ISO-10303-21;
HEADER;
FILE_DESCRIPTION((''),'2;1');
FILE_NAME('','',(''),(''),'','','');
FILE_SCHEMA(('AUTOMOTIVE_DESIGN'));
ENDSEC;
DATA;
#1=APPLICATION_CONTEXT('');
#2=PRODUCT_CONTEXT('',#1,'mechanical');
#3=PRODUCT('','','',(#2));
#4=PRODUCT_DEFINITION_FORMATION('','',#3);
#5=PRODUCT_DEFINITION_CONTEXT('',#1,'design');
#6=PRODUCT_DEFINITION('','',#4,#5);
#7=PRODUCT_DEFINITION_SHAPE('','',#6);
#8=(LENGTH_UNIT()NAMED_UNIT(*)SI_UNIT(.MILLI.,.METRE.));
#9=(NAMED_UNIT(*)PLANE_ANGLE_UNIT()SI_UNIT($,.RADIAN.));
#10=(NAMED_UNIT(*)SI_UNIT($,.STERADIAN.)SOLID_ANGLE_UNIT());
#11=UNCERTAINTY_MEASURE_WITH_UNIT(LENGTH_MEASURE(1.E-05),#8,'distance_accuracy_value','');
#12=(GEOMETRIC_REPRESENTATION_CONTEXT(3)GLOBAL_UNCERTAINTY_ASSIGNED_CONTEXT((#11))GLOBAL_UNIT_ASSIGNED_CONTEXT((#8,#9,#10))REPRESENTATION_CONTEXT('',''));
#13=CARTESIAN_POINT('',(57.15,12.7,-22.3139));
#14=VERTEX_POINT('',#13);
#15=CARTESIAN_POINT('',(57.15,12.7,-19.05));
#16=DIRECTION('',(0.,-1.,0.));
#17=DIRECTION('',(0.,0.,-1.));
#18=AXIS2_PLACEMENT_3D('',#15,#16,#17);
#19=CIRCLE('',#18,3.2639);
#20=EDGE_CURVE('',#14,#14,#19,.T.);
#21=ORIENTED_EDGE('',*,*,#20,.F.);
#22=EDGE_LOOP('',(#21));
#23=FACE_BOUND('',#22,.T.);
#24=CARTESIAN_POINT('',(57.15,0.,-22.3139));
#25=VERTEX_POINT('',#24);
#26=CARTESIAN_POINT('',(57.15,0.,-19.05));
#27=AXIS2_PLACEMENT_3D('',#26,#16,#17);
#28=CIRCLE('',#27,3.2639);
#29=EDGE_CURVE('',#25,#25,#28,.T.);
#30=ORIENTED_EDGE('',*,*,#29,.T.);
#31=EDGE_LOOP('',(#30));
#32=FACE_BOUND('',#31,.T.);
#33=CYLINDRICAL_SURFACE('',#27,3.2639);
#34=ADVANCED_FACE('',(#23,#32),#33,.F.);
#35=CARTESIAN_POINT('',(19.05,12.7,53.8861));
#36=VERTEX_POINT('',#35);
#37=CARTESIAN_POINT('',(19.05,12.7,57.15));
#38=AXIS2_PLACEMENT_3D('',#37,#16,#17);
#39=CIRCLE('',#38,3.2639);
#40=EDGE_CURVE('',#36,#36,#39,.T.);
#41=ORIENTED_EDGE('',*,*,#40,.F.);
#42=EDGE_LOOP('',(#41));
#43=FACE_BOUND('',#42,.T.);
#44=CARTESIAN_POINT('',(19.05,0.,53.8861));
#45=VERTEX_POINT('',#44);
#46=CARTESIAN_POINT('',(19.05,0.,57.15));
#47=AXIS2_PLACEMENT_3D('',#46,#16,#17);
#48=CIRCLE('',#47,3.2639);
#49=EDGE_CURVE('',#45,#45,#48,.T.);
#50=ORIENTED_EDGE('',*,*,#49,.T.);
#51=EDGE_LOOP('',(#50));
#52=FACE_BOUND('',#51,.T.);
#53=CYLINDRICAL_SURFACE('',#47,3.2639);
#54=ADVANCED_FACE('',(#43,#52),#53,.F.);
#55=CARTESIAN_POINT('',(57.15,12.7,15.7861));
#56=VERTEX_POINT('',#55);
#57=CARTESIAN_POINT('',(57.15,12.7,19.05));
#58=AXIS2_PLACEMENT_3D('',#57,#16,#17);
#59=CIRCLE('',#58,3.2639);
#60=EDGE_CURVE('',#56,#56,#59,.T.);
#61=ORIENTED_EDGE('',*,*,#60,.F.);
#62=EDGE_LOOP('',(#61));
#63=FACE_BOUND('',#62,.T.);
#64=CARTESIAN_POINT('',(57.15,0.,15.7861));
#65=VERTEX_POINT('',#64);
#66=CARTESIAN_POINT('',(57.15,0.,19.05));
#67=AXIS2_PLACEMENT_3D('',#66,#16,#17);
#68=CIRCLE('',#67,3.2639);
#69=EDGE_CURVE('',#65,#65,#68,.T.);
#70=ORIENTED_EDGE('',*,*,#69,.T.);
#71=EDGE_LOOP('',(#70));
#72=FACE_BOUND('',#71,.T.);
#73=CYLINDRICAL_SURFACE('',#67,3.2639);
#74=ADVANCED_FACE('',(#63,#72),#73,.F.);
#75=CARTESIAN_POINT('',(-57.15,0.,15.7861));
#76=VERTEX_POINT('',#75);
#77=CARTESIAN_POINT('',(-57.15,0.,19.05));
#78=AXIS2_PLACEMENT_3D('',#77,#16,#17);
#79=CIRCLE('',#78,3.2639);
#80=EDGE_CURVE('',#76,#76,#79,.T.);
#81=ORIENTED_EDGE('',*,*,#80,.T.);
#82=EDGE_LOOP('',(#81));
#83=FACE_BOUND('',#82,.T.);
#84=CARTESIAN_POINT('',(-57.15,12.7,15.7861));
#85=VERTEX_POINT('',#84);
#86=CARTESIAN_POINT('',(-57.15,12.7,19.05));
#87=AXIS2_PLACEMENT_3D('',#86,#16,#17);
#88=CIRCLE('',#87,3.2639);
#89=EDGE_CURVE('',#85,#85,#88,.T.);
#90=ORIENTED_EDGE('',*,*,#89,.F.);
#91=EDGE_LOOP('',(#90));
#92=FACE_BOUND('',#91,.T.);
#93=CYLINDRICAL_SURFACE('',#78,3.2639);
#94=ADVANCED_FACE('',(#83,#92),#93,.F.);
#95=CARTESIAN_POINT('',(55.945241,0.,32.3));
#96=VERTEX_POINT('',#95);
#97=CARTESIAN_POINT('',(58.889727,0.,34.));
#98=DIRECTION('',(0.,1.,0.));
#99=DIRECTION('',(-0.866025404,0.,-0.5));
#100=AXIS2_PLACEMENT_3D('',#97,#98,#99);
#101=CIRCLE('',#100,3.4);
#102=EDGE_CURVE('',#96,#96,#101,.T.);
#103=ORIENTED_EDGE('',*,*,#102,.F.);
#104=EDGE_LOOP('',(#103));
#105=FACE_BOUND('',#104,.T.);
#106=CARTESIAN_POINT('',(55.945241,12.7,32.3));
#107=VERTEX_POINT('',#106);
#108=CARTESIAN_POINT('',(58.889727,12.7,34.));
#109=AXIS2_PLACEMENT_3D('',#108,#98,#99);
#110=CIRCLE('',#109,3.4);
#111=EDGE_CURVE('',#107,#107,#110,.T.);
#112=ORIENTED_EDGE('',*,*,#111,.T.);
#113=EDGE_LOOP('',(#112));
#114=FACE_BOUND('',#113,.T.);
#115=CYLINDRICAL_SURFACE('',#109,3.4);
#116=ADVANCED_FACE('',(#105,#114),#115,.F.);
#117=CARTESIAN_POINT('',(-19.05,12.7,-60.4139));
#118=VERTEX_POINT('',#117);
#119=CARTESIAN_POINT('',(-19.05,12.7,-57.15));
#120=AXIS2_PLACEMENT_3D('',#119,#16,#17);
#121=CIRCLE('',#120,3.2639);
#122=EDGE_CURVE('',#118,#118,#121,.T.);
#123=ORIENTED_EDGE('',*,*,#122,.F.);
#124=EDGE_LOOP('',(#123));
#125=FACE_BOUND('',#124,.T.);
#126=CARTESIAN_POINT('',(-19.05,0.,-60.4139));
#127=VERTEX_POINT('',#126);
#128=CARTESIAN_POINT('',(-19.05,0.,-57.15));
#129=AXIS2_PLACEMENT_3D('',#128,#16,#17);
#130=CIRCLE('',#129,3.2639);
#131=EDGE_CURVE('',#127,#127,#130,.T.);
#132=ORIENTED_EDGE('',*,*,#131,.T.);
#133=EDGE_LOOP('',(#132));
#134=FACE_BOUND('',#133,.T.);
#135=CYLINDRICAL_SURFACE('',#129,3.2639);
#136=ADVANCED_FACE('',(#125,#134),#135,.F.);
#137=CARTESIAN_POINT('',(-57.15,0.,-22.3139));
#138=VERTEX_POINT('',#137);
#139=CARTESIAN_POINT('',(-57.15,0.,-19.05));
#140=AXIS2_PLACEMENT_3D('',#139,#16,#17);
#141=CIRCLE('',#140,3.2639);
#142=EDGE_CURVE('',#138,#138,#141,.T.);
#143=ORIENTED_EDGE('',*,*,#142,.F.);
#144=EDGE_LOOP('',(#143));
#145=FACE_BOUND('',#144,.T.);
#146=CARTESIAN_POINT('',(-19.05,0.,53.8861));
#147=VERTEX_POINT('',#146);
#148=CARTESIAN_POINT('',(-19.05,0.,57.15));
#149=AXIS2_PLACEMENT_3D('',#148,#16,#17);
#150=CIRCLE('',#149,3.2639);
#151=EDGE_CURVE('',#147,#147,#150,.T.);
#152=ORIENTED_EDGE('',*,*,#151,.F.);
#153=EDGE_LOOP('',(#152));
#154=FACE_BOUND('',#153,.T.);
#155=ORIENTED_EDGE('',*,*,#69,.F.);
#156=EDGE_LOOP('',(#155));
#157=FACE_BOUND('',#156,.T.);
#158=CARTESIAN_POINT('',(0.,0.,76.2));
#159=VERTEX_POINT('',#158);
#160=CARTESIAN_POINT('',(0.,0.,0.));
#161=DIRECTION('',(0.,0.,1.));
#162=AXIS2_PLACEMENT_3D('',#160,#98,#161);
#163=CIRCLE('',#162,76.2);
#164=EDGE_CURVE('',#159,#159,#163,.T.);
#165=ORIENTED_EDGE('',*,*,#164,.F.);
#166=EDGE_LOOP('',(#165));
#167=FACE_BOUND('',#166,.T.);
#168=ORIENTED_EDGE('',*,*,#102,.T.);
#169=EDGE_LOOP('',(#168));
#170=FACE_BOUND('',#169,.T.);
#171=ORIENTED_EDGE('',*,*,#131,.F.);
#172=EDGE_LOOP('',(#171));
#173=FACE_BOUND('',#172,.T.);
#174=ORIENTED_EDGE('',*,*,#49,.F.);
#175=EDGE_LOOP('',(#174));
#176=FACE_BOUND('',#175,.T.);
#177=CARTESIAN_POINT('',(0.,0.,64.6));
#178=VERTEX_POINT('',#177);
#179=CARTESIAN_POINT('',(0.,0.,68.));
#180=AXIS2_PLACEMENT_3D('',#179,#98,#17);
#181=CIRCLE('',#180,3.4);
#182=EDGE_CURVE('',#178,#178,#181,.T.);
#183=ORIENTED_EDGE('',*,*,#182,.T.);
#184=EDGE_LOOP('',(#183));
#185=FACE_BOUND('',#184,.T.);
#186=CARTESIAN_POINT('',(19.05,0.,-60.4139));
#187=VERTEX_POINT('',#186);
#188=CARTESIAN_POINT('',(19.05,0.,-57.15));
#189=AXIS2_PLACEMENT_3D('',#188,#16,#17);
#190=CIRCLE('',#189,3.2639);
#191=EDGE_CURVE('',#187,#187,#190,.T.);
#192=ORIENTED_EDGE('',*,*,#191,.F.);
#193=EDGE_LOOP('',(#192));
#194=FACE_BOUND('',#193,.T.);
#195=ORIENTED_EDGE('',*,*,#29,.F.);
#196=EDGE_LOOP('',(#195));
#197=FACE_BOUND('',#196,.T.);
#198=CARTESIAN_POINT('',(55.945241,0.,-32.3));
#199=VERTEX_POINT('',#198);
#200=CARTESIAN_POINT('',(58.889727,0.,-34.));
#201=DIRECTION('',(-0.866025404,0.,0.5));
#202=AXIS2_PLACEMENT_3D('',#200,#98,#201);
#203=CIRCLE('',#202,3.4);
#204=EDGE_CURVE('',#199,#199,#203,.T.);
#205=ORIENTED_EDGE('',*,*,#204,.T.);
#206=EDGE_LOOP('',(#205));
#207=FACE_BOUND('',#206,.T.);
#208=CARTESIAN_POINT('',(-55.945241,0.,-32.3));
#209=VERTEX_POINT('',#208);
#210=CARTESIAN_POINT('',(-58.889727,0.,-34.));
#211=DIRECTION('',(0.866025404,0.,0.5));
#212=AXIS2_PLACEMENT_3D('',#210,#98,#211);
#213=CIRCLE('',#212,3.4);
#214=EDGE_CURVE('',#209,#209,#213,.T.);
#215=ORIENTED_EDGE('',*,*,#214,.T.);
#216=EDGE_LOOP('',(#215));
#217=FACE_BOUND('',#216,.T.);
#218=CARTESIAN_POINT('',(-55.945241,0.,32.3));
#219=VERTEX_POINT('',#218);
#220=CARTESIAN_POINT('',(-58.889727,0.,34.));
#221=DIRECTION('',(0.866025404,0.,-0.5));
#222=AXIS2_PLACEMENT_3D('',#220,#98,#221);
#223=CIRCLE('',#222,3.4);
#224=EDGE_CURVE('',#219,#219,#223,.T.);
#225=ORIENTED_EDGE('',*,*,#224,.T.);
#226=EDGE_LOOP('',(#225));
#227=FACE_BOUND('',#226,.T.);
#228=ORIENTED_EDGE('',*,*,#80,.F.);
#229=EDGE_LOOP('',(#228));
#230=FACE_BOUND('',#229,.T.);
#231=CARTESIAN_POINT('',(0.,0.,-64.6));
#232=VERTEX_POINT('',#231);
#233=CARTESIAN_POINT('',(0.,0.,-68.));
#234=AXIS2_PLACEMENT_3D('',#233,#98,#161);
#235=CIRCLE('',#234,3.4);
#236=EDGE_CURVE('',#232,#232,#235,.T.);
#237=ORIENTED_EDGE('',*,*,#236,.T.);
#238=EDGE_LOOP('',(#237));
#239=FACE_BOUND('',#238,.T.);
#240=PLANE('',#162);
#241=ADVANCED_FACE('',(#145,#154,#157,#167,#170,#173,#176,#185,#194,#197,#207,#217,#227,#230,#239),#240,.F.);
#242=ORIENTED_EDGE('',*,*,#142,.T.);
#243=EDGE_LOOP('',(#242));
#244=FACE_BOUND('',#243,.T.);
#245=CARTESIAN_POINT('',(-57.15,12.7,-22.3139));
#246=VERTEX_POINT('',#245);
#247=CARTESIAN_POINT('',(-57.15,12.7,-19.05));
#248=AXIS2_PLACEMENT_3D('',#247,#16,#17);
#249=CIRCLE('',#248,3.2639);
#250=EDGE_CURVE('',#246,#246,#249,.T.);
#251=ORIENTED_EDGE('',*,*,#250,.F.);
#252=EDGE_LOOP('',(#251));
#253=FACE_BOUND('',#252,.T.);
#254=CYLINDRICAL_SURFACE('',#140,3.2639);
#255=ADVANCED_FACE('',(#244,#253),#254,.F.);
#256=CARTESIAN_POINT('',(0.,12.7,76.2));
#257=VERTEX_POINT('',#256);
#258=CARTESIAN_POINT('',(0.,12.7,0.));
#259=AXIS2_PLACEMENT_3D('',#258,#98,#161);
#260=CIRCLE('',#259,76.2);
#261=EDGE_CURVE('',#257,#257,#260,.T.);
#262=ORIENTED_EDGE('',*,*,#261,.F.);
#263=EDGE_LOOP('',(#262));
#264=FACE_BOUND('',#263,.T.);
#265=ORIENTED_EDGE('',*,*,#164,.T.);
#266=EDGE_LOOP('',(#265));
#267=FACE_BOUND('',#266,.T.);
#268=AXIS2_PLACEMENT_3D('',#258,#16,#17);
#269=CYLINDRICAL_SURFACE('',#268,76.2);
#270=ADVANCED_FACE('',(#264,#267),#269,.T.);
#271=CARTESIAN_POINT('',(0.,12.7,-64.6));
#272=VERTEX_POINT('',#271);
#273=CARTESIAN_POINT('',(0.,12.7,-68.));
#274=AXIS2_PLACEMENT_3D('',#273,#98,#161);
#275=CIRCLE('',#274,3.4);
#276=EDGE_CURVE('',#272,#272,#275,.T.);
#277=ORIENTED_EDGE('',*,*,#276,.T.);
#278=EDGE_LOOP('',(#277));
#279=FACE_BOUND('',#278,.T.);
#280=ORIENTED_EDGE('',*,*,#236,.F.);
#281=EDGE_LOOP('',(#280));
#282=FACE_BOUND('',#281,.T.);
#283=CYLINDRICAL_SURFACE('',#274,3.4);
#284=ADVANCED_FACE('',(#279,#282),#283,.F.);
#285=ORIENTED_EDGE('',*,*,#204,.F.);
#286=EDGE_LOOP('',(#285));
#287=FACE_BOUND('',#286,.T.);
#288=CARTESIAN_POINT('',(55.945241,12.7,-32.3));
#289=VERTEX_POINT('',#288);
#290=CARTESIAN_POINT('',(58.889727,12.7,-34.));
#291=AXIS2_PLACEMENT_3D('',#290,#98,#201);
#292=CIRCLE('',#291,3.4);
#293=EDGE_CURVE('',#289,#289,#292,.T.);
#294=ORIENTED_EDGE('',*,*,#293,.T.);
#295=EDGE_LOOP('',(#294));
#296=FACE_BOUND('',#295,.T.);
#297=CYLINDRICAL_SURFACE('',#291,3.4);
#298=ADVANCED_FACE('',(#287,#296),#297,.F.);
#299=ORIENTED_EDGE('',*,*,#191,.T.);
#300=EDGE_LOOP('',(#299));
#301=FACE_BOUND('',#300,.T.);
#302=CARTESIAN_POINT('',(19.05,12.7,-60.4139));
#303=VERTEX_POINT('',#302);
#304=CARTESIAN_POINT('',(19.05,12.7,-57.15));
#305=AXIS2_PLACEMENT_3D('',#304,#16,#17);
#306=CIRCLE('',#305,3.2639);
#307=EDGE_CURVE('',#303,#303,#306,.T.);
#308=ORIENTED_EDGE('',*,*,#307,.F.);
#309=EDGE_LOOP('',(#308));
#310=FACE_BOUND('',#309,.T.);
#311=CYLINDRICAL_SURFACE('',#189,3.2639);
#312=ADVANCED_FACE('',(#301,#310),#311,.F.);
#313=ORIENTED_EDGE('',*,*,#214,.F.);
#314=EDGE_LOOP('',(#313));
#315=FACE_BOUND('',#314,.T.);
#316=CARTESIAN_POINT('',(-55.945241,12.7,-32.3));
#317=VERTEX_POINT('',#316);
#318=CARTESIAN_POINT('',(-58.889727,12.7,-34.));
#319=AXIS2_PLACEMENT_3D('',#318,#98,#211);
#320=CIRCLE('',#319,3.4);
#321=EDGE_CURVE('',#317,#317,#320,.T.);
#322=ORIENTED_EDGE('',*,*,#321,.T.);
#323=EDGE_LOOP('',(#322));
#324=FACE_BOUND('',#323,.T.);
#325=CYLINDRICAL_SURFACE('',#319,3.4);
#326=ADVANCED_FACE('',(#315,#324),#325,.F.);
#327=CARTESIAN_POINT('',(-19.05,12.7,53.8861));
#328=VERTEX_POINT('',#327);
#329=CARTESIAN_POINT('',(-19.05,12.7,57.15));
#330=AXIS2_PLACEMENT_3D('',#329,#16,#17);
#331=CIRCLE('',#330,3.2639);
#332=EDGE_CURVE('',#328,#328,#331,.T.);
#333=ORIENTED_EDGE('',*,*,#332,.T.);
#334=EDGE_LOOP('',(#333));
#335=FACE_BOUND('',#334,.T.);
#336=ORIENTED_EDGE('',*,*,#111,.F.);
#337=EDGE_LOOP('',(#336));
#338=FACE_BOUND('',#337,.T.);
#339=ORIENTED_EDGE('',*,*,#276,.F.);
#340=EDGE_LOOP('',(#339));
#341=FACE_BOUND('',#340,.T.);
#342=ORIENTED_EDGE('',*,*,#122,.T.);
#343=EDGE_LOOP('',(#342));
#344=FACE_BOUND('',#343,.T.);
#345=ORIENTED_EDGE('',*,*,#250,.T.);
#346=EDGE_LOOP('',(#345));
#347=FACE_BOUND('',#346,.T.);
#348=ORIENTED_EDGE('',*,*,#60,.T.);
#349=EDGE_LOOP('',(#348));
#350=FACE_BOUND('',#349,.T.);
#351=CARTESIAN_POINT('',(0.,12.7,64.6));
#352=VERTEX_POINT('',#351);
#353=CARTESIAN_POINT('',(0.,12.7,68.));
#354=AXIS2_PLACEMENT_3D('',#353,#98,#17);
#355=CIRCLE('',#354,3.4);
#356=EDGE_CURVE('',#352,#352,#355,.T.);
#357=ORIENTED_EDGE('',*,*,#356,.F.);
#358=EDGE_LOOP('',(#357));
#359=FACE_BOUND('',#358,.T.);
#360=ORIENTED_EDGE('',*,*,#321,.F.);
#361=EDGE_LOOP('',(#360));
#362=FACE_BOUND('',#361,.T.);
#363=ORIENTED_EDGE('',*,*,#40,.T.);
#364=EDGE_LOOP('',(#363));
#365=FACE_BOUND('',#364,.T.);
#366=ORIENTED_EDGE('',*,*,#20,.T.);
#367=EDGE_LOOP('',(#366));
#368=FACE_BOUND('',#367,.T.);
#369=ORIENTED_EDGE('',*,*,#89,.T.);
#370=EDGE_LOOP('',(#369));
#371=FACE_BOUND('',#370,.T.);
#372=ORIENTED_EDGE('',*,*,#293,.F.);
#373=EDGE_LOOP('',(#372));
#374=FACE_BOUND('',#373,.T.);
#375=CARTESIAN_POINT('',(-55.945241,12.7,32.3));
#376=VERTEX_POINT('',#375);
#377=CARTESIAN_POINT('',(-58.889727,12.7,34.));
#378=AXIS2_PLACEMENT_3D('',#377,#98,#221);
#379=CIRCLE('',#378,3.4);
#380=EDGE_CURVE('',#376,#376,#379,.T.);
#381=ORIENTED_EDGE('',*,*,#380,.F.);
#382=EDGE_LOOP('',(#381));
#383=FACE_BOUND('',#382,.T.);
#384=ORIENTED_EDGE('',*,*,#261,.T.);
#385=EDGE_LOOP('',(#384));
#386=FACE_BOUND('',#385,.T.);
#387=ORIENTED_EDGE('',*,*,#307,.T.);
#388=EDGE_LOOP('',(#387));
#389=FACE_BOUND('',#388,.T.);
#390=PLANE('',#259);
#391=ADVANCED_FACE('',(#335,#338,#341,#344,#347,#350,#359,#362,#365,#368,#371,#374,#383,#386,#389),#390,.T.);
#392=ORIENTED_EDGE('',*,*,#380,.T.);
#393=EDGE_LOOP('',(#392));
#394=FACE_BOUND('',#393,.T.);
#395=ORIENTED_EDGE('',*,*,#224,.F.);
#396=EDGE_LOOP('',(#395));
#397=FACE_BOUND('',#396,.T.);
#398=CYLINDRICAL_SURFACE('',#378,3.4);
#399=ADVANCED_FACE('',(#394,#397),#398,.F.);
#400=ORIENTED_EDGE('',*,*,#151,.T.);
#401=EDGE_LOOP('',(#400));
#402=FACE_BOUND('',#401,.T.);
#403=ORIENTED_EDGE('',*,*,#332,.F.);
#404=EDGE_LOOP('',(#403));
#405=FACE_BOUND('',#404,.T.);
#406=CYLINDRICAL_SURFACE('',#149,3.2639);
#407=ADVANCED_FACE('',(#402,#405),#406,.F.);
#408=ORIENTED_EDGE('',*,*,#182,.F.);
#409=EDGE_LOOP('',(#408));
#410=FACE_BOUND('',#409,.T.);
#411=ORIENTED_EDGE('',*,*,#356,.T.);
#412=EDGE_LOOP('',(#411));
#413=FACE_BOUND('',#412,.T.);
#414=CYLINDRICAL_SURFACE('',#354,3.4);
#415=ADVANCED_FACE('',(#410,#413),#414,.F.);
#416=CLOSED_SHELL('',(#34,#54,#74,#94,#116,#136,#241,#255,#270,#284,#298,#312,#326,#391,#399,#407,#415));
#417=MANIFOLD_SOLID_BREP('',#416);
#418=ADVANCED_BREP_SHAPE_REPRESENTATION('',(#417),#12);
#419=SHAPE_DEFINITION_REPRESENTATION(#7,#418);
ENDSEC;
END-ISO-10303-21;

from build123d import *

# Parameters (mm, degrees)
SKETCH1_R                = 76.2
BOSS_EXTRUDE1_DEPTH      = 12.7
M8X1_25_TAPPED_HOLE1_D   = 6.8
CIRPATTERN3_COUNT        = 6
F_5_16_18_TAPPED_HOLE1_D = 6.5278
CIRPATTERN2_COUNT        = 4


with BuildPart() as part:
    # Sketch1 → Boss-Extrude1 (new body)
    with BuildSketch(Plane(origin=(0, 0, 0), x_dir=(1, 0, 0), z_dir=(0, 1, 0))):
        with Locations(Location((0, 0, 0), (0, 0, 270))):
            Circle(SKETCH1_R)
    extrude(amount=BOSS_EXTRUDE1_DEPTH)

    # M8x1.25 Tapped Hole1 (through all)
    with Locations(Plane(origin=(0, 12.7, 0), x_dir=(1, 0, 0), z_dir=(0, 1, 0))):
        with Locations((0, 68)):
            m8x1_25_tapped_hole1 = Hole(M8X1_25_TAPPED_HOLE1_D / 2)

    # CirPattern3: M8x1.25 Tapped Hole1 ×6 about axis
    cirpattern3_axis = Axis((0, 0, 0), (0, 1, 0))
    for i in range(1, CIRPATTERN3_COUNT):
        add(m8x1_25_tapped_hole1.rotate(cirpattern3_axis, i * 360 / CIRPATTERN3_COUNT), mode=Mode.SUBTRACT)

    # 5/16-18 Tapped Hole1 (through all)
    with Locations(Plane(origin=(0, 0, 0), x_dir=(-1, 0, 0), z_dir=(0, -1, 0))):
        with Locations((-19.049999999, 57.15), (19.049999999, 57.15)):
            f_5_16_18_tapped_hole1 = Hole(F_5_16_18_TAPPED_HOLE1_D / 2)

    # CirPattern2: 5/16-18 Tapped Hole1 ×4 about axis
    cirpattern2_axis = Axis((0, 0, 0), (0, 1, 0))
    for i in range(1, CIRPATTERN2_COUNT):
        add(f_5_16_18_tapped_hole1.rotate(cirpattern2_axis, i * 360 / CIRPATTERN2_COUNT), mode=Mode.SUBTRACT)


solid = part.part
